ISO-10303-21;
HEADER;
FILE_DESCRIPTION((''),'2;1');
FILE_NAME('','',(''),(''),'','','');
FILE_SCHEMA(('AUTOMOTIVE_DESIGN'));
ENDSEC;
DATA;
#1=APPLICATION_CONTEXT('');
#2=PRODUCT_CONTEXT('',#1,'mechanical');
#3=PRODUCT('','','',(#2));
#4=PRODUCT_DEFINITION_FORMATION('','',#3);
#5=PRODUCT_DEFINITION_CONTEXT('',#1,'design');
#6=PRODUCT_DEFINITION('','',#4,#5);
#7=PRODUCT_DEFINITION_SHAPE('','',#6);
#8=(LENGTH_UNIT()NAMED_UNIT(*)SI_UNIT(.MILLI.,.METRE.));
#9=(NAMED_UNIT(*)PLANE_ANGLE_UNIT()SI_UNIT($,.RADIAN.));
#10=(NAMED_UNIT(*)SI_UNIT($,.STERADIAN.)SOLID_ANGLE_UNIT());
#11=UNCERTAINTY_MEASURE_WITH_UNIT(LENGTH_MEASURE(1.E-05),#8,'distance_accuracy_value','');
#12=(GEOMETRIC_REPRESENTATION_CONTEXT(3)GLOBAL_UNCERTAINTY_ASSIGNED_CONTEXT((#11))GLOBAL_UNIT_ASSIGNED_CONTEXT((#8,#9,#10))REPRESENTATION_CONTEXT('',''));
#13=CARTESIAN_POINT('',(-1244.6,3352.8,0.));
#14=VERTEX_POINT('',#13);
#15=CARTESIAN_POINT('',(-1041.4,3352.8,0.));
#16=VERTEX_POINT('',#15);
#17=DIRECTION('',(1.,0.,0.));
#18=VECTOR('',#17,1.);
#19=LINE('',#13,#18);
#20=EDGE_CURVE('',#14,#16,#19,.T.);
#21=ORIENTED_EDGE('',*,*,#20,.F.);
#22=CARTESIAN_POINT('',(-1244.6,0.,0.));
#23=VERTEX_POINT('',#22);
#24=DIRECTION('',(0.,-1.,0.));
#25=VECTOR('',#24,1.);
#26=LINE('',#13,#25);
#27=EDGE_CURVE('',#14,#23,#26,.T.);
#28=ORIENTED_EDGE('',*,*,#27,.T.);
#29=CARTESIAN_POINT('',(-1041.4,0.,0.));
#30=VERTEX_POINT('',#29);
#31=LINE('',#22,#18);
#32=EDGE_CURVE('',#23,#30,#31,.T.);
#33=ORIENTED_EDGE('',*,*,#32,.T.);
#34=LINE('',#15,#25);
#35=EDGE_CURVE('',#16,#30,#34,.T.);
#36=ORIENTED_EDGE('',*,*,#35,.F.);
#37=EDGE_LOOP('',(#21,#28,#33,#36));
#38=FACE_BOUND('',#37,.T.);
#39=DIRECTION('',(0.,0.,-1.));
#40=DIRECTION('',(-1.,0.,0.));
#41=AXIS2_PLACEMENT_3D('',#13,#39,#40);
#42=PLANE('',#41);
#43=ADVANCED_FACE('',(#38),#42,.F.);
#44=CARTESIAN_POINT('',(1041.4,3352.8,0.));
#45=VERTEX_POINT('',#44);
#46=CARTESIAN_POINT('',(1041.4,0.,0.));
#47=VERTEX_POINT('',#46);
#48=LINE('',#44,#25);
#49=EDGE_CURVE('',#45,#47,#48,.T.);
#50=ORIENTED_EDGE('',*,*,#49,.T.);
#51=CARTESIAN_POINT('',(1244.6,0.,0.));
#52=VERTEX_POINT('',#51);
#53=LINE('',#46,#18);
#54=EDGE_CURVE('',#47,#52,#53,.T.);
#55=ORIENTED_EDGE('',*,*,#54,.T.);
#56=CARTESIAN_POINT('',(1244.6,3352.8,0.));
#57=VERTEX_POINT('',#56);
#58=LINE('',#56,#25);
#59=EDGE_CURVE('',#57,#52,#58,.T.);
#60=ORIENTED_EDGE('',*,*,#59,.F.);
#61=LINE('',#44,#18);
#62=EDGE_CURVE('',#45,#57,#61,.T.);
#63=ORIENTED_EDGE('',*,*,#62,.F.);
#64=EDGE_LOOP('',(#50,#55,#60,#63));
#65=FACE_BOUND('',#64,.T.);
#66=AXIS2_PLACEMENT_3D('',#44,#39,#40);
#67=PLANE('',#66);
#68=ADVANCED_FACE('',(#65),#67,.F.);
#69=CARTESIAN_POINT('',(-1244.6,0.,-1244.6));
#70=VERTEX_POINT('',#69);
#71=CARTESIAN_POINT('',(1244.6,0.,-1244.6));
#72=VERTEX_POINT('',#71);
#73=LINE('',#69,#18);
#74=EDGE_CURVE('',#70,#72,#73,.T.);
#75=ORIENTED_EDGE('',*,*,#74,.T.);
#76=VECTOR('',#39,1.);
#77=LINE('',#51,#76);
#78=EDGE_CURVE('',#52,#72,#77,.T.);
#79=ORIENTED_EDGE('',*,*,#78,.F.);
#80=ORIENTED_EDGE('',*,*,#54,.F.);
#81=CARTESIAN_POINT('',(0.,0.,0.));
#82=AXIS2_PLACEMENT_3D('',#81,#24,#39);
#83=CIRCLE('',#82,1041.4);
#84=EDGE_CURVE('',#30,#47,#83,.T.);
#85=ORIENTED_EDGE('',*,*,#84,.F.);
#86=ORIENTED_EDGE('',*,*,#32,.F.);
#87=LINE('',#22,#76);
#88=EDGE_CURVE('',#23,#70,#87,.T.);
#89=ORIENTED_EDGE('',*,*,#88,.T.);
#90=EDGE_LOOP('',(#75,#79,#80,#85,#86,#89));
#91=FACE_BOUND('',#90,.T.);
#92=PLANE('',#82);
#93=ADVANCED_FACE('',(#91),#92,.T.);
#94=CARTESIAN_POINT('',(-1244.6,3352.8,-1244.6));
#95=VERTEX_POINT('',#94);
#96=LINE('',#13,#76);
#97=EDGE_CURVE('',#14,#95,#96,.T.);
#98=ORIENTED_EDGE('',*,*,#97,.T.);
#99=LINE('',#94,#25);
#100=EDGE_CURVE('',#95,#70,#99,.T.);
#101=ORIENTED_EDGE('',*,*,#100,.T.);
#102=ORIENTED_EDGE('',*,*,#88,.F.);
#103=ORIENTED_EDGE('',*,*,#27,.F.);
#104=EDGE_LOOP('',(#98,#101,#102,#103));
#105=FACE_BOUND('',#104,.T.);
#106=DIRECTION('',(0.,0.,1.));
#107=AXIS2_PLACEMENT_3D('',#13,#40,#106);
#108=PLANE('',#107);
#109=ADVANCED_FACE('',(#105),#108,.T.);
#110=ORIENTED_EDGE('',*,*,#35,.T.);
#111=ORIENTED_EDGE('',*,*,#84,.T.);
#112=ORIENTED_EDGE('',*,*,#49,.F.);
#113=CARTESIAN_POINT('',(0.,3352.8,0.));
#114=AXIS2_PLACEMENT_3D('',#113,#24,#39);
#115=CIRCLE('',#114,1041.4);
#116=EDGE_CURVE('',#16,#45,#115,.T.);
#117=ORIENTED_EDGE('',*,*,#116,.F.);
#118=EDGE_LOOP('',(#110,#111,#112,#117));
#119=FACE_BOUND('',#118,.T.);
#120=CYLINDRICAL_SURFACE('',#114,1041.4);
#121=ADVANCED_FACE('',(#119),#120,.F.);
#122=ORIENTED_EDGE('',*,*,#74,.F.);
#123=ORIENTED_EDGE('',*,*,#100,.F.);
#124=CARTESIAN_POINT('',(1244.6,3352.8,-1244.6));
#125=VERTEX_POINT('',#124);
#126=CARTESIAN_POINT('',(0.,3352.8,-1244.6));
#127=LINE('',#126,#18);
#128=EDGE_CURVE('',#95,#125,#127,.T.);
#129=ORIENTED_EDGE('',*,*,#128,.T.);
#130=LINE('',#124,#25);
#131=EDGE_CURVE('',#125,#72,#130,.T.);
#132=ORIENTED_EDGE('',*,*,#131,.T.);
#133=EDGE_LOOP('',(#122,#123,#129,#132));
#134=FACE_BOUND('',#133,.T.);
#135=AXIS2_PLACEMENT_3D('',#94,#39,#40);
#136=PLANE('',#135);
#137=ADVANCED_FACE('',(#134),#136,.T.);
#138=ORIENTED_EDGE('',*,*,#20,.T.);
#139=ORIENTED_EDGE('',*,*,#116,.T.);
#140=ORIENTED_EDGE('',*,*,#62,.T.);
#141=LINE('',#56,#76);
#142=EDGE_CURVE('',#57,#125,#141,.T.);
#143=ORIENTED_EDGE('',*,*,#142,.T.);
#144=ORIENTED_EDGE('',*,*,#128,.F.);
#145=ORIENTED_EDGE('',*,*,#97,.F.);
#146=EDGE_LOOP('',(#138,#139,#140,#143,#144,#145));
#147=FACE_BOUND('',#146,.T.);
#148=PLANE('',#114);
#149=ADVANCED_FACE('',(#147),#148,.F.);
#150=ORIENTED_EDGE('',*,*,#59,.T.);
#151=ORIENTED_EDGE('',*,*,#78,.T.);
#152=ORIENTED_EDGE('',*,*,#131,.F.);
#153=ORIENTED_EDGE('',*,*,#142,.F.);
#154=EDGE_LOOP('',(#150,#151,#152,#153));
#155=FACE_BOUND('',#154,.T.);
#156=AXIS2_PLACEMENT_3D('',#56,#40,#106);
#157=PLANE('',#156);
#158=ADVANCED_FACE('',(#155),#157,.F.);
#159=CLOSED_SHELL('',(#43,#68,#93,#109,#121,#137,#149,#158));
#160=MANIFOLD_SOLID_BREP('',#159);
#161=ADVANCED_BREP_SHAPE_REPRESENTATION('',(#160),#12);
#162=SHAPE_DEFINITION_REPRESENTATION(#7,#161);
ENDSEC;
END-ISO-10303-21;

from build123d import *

# Parameters (mm, degrees)
BOSS_EXTRUDE1_DEPTH = 3352.8


with BuildPart() as part:
    # Sketch1 → Boss-Extrude1 (new body)
    with BuildSketch(Plane(origin=(0, 0, 0), x_dir=(1, 0, 0), z_dir=(0, 1, 0))):
        with BuildLine():
            Line((-1244.6, 0), (-1041.4, 0))
            ThreePointArc((-1041.4, 0), (0, 1041.4), (1041.4, 0))
            Line((1041.4, 0), (1244.6, 0))
            Line((1244.6, 0), (1244.6, 1244.6))
            Line((1244.6, 1244.6), (0, 1244.6))
            Line((0, 1244.6), (-1244.6, 1244.6))
            Line((-1244.6, 1244.6), (-1244.6, 0))
        make_face()
    extrude(amount=BOSS_EXTRUDE1_DEPTH)


solid = part.part
